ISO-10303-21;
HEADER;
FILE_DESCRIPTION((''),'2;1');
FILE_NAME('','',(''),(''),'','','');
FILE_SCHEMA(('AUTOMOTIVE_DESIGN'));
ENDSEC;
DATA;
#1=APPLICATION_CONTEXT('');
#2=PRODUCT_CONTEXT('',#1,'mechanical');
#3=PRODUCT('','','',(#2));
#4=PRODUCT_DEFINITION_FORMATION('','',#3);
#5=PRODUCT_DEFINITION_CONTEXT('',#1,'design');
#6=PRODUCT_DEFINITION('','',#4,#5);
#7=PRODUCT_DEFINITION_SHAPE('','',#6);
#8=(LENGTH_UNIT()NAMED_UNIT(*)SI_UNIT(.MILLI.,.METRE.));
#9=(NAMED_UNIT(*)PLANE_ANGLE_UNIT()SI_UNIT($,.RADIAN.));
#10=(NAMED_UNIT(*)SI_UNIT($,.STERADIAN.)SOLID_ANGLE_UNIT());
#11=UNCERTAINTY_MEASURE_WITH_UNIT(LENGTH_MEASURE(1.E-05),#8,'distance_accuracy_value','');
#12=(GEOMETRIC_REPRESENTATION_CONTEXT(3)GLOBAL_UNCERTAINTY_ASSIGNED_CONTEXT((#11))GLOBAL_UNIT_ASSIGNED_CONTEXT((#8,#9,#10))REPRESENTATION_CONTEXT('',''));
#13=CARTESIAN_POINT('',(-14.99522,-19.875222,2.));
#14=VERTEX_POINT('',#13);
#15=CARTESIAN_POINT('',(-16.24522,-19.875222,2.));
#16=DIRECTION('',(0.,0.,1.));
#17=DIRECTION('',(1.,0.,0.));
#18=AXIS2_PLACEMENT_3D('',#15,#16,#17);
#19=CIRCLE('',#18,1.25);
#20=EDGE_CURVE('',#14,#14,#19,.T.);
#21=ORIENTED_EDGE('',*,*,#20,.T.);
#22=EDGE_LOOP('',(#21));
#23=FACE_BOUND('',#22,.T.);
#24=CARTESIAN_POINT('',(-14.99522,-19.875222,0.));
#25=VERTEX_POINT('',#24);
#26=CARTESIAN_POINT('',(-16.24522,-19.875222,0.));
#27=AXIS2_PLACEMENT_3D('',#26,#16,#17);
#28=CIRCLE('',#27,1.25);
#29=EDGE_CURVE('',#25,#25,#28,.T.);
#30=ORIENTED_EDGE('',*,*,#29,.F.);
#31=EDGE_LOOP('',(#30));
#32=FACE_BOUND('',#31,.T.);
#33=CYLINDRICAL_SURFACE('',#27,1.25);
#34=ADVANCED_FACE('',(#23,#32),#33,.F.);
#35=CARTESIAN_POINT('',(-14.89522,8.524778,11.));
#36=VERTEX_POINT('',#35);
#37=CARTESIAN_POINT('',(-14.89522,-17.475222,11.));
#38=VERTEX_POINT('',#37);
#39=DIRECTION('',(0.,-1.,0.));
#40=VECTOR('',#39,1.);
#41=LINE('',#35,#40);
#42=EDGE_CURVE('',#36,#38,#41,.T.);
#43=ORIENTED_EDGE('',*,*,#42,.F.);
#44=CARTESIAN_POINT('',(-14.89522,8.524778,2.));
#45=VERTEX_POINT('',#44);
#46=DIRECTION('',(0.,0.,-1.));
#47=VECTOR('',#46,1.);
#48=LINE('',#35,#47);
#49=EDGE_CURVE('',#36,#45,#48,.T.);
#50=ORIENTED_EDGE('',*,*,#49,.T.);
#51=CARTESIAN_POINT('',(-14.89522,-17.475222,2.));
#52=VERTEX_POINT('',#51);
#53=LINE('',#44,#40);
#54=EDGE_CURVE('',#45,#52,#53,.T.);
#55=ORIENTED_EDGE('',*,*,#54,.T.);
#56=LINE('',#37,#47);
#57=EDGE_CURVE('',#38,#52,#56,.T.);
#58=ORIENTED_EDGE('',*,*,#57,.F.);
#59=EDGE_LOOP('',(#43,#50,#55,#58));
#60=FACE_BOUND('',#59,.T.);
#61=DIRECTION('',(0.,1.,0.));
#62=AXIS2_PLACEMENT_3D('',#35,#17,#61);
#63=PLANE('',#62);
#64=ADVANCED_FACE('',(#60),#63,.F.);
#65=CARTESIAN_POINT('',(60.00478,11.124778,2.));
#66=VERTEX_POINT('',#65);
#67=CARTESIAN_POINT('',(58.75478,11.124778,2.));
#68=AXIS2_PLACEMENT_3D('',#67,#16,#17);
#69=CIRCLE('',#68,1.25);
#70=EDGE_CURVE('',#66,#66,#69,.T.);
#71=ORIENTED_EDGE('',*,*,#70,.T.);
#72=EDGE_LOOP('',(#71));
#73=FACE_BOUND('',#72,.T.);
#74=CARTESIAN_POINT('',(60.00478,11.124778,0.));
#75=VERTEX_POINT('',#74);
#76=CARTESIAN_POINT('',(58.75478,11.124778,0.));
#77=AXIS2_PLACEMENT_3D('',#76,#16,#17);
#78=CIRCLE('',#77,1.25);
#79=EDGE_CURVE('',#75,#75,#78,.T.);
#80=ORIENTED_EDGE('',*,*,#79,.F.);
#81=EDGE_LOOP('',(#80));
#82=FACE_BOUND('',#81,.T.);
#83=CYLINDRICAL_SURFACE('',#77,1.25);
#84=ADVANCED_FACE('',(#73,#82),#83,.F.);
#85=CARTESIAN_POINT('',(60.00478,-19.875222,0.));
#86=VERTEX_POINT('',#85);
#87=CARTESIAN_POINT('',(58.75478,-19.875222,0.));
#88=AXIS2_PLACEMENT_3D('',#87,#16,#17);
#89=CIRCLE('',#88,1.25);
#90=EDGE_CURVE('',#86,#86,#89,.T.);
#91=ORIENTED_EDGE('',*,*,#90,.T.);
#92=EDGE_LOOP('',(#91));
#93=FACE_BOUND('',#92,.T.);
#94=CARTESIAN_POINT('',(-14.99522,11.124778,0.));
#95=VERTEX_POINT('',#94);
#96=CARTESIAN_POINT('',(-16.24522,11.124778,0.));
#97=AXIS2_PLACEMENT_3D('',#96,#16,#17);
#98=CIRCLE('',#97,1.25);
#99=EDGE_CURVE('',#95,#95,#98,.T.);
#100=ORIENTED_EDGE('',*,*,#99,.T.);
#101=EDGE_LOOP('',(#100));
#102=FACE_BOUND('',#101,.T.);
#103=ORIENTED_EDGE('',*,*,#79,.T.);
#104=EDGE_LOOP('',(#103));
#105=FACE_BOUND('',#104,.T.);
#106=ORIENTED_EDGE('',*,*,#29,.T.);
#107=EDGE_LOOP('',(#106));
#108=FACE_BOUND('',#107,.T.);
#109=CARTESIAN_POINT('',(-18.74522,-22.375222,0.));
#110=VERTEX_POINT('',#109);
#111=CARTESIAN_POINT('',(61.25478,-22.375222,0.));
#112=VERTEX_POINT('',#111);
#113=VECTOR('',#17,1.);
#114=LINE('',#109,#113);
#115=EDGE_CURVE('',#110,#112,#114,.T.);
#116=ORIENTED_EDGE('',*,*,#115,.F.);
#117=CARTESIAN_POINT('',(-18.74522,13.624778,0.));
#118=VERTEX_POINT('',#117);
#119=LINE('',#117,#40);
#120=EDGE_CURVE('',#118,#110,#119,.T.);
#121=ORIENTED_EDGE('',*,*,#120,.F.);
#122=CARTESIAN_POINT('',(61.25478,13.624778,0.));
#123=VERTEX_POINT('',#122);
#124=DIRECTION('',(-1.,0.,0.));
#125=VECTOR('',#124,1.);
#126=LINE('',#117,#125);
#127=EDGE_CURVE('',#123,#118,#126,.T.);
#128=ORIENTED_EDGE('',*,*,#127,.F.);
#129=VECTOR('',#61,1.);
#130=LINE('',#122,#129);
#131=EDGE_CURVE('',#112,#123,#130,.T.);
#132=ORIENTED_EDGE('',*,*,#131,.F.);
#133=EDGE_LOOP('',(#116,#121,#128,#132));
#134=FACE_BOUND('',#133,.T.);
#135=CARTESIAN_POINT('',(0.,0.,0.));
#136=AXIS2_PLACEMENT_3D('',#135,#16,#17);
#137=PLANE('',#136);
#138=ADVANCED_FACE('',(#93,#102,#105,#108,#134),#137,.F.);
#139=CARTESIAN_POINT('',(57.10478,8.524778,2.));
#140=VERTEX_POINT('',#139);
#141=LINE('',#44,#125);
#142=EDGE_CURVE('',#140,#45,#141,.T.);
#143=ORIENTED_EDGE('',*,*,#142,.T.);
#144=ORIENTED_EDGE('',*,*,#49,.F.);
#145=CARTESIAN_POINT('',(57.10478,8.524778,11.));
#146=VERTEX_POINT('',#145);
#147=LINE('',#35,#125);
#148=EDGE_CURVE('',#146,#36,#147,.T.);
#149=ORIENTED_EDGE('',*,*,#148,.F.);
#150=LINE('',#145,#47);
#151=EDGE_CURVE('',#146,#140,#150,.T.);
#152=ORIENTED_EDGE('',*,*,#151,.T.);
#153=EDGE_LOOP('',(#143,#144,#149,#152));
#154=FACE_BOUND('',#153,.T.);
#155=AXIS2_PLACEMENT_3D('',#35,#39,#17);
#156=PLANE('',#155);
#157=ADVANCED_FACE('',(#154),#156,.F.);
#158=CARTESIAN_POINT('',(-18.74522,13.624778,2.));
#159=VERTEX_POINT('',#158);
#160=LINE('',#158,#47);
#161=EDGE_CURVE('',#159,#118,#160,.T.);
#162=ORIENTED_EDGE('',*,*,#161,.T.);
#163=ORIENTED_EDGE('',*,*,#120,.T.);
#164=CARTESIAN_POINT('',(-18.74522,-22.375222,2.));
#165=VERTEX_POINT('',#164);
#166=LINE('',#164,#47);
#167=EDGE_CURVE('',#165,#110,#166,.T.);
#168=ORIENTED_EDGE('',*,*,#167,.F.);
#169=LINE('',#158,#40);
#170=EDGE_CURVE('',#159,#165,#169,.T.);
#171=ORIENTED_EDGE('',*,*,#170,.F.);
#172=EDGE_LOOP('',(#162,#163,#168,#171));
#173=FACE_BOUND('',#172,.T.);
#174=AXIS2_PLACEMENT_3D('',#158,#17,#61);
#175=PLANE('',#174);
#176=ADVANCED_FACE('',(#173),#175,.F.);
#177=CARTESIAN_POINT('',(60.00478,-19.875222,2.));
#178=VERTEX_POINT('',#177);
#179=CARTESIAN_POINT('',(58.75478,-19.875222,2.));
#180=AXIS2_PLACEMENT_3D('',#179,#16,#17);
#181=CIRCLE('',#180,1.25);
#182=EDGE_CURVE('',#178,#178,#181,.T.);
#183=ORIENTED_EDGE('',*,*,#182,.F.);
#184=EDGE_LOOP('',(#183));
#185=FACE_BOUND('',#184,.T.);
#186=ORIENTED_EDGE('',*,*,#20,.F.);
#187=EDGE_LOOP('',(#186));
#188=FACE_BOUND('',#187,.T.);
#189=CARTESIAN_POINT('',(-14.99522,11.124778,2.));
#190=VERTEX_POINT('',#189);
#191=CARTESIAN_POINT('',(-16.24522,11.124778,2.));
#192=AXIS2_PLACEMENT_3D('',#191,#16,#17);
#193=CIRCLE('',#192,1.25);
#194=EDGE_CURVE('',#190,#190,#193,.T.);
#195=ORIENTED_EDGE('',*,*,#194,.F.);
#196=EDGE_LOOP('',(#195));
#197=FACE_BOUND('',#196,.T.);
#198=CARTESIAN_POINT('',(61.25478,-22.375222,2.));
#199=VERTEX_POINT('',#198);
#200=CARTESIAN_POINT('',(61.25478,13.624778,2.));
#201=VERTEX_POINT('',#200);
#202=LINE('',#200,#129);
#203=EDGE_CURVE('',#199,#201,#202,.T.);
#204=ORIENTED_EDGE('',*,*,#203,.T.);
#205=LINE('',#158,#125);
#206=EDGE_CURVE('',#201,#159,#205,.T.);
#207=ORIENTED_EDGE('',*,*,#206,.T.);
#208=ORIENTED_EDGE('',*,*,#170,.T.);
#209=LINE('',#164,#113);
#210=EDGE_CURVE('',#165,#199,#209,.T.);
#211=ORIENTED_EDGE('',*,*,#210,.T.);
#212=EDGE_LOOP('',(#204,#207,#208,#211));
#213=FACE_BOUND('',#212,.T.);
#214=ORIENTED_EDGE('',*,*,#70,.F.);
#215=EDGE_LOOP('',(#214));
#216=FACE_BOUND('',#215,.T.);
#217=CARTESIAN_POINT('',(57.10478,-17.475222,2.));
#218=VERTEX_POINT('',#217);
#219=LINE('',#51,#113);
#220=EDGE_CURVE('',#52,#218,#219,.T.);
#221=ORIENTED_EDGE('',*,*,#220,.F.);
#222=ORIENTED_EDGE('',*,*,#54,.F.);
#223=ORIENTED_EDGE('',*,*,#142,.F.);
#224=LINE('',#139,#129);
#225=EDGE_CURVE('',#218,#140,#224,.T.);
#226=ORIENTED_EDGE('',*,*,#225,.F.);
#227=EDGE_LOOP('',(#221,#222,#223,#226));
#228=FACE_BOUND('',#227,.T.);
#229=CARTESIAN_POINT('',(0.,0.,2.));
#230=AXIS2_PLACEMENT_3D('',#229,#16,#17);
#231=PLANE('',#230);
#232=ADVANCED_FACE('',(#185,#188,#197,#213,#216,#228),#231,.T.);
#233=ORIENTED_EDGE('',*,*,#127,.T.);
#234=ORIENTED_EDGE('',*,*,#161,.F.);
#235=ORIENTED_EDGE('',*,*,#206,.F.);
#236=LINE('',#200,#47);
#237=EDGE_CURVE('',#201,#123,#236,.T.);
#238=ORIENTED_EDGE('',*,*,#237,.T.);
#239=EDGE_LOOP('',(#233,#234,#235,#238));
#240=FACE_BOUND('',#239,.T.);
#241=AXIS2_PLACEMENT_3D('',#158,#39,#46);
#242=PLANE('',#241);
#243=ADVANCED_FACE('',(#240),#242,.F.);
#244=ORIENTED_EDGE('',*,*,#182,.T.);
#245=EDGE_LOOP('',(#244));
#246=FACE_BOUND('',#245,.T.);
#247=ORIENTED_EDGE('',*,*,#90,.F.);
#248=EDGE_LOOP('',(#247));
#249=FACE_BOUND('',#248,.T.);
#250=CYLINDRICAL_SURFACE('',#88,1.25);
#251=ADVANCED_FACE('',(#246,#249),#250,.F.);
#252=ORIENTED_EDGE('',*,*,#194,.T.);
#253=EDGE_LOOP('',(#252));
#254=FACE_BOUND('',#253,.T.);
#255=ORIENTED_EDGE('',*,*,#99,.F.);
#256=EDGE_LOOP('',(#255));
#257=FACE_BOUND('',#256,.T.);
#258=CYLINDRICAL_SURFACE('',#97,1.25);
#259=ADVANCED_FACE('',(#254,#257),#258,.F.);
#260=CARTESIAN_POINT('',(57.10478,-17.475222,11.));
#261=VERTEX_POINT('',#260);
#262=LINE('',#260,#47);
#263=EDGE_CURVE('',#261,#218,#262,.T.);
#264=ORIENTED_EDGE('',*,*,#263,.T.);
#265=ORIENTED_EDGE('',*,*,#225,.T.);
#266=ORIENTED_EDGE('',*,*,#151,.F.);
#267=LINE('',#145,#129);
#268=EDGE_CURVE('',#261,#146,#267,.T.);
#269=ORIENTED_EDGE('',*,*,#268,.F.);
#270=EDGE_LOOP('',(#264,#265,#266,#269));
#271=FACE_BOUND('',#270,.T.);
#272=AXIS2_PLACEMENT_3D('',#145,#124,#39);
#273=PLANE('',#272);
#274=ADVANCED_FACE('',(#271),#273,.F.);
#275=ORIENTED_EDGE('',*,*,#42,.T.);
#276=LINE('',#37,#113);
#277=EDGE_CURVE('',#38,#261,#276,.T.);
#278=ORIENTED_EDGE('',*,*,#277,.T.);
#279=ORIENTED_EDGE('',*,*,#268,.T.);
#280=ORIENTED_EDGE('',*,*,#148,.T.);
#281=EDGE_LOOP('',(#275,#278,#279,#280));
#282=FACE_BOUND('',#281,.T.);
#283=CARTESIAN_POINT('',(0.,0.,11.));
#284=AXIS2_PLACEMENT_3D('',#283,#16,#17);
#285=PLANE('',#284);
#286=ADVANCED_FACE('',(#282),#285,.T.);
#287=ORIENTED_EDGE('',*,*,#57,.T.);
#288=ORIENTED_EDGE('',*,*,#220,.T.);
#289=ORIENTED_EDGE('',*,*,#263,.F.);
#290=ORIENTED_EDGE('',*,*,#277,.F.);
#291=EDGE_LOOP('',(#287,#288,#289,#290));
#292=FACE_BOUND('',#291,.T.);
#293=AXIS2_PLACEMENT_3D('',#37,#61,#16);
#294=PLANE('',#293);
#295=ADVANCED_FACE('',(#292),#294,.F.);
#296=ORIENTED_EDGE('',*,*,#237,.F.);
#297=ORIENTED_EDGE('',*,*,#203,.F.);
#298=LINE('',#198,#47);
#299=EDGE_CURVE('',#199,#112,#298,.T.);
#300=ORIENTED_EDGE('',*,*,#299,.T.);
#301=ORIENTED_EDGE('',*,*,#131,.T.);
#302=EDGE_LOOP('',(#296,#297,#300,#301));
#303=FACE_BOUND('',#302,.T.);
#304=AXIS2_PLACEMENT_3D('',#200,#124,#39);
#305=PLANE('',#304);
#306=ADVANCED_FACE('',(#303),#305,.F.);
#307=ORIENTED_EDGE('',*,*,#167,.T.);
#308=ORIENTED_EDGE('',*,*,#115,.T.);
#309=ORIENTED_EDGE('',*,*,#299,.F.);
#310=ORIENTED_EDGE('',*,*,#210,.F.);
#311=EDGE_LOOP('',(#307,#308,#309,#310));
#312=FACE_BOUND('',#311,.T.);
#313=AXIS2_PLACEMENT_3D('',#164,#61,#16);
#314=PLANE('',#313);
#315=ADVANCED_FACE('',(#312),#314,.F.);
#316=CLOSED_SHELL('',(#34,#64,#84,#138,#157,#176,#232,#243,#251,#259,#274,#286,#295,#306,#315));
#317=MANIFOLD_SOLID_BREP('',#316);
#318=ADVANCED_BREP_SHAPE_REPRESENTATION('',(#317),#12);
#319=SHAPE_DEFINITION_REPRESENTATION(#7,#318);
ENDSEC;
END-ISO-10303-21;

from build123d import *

# Parameters (mm, degrees)
SKETCH_1_W          = 80
SKETCH_1_H          = 36
EXTRUDE_1_DEPTH     = 2
SKETCH_2_W          = 72
SKETCH_2_H          = 26
EXTRUDE_2_DEPTH     = 9
SKETCH_3_R          = 1.25
CUT_EXTRUDE_1_DEPTH = 66.831593266


with BuildPart() as part:
    # Эскиз1 → Бобышка-Вытянуть1 (new body)
    with BuildSketch(Plane.XY):
        with Locations((21.254780468, -4.375221601)):
            Rectangle(SKETCH_1_W, SKETCH_1_H)
    extrude(amount=EXTRUDE_1_DEPTH)

    # Эскиз2 → Бобышка-Вытянуть2 (add)
    with BuildSketch(Plane.XY.offset(2)):
        with Locations((21.104780468, -4.475221601)):
            Rectangle(SKETCH_2_W, SKETCH_2_H)
    extrude(amount=EXTRUDE_2_DEPTH)

    # Эскиз3 → Вырез-Вытянуть1 (cut, through all)
    with BuildSketch(Plane.XY.offset(2)):
        with Locations((-16.245219532, 11.124778399)):
            Circle(SKETCH_3_R)
        with Locations((58.754780468, 11.124778399)):
            Circle(SKETCH_3_R)
        with Locations((58.754780468, -19.875221601)):
            Circle(SKETCH_3_R)
        with Locations((-16.245219532, -19.875221601)):
            Circle(SKETCH_3_R)
    extrude(amount=-CUT_EXTRUDE_1_DEPTH, mode=Mode.SUBTRACT)


solid = part.part
